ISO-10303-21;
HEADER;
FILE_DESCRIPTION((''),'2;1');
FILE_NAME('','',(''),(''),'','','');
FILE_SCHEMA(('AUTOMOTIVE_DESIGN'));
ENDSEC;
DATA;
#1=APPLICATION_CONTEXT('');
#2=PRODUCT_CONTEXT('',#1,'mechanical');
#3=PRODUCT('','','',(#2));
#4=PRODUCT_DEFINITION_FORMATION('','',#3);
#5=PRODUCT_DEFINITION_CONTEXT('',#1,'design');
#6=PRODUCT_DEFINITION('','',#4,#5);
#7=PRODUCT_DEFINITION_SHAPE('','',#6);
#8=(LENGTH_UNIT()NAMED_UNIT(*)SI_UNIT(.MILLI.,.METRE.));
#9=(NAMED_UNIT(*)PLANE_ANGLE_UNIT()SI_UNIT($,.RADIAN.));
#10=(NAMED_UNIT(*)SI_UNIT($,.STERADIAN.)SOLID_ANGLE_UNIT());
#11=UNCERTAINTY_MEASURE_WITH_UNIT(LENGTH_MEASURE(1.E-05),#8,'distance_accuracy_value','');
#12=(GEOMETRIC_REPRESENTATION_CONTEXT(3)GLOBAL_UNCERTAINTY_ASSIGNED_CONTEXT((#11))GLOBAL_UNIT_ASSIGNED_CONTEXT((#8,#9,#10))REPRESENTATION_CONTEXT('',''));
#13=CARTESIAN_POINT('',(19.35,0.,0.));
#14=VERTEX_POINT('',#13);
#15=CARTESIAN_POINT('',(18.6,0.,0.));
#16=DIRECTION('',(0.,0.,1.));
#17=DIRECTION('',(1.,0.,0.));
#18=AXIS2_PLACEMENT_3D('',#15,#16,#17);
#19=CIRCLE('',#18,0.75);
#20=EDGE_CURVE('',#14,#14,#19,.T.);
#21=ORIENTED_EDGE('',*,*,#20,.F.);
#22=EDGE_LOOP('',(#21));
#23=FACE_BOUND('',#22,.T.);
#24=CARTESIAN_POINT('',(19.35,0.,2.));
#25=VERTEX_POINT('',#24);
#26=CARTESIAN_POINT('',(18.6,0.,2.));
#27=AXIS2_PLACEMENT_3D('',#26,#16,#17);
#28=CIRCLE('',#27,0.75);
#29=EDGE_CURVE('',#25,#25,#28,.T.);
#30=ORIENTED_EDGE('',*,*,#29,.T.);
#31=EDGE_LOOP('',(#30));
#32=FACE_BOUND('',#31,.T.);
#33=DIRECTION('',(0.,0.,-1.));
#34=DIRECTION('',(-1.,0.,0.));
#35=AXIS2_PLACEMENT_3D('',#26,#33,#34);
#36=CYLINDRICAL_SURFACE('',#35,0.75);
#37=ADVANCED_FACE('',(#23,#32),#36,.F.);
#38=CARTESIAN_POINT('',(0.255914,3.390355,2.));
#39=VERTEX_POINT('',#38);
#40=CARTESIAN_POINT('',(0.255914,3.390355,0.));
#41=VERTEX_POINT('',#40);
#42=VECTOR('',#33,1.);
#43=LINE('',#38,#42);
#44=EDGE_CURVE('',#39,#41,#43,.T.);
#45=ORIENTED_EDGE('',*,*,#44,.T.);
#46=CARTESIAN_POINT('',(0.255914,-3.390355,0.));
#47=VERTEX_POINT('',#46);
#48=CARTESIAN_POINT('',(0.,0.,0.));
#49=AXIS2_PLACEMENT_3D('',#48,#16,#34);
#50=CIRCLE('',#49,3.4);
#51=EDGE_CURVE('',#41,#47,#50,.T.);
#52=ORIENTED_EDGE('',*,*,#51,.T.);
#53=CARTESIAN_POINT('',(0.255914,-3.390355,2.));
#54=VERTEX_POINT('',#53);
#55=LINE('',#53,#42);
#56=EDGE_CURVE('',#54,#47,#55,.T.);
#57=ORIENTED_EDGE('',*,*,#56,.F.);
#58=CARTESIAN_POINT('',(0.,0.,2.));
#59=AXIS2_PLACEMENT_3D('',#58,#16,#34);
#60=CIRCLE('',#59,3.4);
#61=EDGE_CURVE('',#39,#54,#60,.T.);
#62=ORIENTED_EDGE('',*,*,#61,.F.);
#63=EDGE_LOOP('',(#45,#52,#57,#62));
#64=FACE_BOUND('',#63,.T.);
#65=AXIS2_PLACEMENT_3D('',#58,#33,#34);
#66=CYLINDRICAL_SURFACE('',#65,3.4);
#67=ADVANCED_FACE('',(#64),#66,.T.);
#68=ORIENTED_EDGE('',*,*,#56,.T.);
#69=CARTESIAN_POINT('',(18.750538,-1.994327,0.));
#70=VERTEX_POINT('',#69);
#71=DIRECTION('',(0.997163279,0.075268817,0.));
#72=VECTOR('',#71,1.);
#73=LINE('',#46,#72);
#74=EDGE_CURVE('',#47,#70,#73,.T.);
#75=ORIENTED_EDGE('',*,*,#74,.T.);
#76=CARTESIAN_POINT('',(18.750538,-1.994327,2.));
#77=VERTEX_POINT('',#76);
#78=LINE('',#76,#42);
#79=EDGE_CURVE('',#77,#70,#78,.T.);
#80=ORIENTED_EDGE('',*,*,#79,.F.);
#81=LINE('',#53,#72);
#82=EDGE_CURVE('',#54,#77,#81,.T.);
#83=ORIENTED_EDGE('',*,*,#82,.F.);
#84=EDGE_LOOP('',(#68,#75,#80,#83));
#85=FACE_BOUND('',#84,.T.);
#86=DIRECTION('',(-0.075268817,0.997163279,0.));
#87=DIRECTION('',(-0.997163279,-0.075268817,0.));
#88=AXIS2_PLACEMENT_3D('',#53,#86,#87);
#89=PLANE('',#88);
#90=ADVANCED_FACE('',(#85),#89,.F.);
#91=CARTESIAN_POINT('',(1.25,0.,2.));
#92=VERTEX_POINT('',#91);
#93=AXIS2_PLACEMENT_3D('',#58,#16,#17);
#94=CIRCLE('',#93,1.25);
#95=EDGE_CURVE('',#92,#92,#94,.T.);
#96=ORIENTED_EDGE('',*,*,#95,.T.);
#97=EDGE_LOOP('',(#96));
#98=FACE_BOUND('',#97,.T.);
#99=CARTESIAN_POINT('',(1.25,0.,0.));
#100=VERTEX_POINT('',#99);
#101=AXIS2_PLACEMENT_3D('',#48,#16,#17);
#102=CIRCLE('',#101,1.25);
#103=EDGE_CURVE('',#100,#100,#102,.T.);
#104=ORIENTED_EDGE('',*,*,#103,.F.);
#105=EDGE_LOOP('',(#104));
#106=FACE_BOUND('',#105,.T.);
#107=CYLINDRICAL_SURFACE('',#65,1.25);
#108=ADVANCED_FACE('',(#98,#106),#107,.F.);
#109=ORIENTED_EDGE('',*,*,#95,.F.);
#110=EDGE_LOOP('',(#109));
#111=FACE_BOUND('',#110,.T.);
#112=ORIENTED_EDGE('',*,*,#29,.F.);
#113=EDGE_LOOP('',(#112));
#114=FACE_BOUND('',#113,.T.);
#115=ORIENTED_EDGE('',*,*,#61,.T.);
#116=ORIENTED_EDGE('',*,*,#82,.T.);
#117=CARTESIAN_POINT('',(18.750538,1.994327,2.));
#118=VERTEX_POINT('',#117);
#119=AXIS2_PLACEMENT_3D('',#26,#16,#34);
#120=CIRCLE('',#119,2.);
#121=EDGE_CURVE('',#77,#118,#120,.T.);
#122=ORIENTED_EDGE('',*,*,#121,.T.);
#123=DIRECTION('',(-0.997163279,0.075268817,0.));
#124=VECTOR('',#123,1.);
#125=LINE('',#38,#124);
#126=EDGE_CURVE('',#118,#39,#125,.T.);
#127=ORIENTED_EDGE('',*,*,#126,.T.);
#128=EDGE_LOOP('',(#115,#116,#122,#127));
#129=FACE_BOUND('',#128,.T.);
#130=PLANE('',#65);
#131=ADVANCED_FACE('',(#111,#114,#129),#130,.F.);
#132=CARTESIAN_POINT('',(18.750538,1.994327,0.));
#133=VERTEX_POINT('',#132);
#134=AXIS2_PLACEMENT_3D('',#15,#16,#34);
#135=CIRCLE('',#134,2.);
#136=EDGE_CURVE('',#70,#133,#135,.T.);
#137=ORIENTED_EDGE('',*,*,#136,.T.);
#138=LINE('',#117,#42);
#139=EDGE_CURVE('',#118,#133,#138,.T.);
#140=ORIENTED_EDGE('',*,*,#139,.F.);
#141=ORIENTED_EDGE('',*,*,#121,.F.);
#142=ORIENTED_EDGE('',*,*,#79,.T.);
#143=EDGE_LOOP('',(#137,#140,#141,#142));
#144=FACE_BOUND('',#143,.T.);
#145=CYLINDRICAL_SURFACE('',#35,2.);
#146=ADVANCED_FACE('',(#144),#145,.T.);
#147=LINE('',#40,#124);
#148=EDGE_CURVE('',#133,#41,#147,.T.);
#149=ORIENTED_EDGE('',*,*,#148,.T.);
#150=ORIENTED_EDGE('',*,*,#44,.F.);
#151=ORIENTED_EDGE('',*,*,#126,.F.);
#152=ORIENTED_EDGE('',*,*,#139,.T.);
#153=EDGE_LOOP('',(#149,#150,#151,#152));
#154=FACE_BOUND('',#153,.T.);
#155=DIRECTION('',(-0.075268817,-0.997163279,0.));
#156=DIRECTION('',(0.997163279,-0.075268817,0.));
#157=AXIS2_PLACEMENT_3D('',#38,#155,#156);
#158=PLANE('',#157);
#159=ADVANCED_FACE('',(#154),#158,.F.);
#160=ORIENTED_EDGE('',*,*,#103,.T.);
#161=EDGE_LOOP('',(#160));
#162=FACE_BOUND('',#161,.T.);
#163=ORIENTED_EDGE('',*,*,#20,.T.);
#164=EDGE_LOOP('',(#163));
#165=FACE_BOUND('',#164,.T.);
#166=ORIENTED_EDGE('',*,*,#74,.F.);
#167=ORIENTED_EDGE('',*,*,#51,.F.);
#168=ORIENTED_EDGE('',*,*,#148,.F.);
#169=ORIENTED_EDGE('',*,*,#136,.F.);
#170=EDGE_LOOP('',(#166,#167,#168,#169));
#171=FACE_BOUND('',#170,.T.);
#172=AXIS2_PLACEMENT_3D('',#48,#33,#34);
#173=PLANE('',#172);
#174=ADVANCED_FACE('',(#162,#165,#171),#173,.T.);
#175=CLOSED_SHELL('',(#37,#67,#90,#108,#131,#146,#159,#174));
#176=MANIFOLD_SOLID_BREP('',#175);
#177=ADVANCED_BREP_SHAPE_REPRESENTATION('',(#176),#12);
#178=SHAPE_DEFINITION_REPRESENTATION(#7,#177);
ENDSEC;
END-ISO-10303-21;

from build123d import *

# Parameters (mm, degrees)
SKETCH1_R   = 0.75
SKETCH1_R_2 = 1.25
MAIN_DEPTH  = 2


with BuildPart() as part:
    # Sketch1 → Main (new body)
    with BuildSketch(Plane.XY):
        with BuildLine():
            Line((0.255913978, 3.390355149), (18.750537634, 1.994326558))
            ThreePointArc((18.750537634, 1.994326558), (20.6, 0), (18.750537634, -1.994326558))
            Line((18.750537634, -1.994326558), (0.255913978, -3.390355149))
            ThreePointArc((0.255913978, -3.390355149), (-3.4, 0), (0.255913978, 3.390355149))
        make_face()
        with Locations((18.6, 0)):
            Circle(SKETCH1_R, mode=Mode.SUBTRACT)
        Circle(SKETCH1_R_2, mode=Mode.SUBTRACT)
    extrude(amount=MAIN_DEPTH)


solid = part.part
